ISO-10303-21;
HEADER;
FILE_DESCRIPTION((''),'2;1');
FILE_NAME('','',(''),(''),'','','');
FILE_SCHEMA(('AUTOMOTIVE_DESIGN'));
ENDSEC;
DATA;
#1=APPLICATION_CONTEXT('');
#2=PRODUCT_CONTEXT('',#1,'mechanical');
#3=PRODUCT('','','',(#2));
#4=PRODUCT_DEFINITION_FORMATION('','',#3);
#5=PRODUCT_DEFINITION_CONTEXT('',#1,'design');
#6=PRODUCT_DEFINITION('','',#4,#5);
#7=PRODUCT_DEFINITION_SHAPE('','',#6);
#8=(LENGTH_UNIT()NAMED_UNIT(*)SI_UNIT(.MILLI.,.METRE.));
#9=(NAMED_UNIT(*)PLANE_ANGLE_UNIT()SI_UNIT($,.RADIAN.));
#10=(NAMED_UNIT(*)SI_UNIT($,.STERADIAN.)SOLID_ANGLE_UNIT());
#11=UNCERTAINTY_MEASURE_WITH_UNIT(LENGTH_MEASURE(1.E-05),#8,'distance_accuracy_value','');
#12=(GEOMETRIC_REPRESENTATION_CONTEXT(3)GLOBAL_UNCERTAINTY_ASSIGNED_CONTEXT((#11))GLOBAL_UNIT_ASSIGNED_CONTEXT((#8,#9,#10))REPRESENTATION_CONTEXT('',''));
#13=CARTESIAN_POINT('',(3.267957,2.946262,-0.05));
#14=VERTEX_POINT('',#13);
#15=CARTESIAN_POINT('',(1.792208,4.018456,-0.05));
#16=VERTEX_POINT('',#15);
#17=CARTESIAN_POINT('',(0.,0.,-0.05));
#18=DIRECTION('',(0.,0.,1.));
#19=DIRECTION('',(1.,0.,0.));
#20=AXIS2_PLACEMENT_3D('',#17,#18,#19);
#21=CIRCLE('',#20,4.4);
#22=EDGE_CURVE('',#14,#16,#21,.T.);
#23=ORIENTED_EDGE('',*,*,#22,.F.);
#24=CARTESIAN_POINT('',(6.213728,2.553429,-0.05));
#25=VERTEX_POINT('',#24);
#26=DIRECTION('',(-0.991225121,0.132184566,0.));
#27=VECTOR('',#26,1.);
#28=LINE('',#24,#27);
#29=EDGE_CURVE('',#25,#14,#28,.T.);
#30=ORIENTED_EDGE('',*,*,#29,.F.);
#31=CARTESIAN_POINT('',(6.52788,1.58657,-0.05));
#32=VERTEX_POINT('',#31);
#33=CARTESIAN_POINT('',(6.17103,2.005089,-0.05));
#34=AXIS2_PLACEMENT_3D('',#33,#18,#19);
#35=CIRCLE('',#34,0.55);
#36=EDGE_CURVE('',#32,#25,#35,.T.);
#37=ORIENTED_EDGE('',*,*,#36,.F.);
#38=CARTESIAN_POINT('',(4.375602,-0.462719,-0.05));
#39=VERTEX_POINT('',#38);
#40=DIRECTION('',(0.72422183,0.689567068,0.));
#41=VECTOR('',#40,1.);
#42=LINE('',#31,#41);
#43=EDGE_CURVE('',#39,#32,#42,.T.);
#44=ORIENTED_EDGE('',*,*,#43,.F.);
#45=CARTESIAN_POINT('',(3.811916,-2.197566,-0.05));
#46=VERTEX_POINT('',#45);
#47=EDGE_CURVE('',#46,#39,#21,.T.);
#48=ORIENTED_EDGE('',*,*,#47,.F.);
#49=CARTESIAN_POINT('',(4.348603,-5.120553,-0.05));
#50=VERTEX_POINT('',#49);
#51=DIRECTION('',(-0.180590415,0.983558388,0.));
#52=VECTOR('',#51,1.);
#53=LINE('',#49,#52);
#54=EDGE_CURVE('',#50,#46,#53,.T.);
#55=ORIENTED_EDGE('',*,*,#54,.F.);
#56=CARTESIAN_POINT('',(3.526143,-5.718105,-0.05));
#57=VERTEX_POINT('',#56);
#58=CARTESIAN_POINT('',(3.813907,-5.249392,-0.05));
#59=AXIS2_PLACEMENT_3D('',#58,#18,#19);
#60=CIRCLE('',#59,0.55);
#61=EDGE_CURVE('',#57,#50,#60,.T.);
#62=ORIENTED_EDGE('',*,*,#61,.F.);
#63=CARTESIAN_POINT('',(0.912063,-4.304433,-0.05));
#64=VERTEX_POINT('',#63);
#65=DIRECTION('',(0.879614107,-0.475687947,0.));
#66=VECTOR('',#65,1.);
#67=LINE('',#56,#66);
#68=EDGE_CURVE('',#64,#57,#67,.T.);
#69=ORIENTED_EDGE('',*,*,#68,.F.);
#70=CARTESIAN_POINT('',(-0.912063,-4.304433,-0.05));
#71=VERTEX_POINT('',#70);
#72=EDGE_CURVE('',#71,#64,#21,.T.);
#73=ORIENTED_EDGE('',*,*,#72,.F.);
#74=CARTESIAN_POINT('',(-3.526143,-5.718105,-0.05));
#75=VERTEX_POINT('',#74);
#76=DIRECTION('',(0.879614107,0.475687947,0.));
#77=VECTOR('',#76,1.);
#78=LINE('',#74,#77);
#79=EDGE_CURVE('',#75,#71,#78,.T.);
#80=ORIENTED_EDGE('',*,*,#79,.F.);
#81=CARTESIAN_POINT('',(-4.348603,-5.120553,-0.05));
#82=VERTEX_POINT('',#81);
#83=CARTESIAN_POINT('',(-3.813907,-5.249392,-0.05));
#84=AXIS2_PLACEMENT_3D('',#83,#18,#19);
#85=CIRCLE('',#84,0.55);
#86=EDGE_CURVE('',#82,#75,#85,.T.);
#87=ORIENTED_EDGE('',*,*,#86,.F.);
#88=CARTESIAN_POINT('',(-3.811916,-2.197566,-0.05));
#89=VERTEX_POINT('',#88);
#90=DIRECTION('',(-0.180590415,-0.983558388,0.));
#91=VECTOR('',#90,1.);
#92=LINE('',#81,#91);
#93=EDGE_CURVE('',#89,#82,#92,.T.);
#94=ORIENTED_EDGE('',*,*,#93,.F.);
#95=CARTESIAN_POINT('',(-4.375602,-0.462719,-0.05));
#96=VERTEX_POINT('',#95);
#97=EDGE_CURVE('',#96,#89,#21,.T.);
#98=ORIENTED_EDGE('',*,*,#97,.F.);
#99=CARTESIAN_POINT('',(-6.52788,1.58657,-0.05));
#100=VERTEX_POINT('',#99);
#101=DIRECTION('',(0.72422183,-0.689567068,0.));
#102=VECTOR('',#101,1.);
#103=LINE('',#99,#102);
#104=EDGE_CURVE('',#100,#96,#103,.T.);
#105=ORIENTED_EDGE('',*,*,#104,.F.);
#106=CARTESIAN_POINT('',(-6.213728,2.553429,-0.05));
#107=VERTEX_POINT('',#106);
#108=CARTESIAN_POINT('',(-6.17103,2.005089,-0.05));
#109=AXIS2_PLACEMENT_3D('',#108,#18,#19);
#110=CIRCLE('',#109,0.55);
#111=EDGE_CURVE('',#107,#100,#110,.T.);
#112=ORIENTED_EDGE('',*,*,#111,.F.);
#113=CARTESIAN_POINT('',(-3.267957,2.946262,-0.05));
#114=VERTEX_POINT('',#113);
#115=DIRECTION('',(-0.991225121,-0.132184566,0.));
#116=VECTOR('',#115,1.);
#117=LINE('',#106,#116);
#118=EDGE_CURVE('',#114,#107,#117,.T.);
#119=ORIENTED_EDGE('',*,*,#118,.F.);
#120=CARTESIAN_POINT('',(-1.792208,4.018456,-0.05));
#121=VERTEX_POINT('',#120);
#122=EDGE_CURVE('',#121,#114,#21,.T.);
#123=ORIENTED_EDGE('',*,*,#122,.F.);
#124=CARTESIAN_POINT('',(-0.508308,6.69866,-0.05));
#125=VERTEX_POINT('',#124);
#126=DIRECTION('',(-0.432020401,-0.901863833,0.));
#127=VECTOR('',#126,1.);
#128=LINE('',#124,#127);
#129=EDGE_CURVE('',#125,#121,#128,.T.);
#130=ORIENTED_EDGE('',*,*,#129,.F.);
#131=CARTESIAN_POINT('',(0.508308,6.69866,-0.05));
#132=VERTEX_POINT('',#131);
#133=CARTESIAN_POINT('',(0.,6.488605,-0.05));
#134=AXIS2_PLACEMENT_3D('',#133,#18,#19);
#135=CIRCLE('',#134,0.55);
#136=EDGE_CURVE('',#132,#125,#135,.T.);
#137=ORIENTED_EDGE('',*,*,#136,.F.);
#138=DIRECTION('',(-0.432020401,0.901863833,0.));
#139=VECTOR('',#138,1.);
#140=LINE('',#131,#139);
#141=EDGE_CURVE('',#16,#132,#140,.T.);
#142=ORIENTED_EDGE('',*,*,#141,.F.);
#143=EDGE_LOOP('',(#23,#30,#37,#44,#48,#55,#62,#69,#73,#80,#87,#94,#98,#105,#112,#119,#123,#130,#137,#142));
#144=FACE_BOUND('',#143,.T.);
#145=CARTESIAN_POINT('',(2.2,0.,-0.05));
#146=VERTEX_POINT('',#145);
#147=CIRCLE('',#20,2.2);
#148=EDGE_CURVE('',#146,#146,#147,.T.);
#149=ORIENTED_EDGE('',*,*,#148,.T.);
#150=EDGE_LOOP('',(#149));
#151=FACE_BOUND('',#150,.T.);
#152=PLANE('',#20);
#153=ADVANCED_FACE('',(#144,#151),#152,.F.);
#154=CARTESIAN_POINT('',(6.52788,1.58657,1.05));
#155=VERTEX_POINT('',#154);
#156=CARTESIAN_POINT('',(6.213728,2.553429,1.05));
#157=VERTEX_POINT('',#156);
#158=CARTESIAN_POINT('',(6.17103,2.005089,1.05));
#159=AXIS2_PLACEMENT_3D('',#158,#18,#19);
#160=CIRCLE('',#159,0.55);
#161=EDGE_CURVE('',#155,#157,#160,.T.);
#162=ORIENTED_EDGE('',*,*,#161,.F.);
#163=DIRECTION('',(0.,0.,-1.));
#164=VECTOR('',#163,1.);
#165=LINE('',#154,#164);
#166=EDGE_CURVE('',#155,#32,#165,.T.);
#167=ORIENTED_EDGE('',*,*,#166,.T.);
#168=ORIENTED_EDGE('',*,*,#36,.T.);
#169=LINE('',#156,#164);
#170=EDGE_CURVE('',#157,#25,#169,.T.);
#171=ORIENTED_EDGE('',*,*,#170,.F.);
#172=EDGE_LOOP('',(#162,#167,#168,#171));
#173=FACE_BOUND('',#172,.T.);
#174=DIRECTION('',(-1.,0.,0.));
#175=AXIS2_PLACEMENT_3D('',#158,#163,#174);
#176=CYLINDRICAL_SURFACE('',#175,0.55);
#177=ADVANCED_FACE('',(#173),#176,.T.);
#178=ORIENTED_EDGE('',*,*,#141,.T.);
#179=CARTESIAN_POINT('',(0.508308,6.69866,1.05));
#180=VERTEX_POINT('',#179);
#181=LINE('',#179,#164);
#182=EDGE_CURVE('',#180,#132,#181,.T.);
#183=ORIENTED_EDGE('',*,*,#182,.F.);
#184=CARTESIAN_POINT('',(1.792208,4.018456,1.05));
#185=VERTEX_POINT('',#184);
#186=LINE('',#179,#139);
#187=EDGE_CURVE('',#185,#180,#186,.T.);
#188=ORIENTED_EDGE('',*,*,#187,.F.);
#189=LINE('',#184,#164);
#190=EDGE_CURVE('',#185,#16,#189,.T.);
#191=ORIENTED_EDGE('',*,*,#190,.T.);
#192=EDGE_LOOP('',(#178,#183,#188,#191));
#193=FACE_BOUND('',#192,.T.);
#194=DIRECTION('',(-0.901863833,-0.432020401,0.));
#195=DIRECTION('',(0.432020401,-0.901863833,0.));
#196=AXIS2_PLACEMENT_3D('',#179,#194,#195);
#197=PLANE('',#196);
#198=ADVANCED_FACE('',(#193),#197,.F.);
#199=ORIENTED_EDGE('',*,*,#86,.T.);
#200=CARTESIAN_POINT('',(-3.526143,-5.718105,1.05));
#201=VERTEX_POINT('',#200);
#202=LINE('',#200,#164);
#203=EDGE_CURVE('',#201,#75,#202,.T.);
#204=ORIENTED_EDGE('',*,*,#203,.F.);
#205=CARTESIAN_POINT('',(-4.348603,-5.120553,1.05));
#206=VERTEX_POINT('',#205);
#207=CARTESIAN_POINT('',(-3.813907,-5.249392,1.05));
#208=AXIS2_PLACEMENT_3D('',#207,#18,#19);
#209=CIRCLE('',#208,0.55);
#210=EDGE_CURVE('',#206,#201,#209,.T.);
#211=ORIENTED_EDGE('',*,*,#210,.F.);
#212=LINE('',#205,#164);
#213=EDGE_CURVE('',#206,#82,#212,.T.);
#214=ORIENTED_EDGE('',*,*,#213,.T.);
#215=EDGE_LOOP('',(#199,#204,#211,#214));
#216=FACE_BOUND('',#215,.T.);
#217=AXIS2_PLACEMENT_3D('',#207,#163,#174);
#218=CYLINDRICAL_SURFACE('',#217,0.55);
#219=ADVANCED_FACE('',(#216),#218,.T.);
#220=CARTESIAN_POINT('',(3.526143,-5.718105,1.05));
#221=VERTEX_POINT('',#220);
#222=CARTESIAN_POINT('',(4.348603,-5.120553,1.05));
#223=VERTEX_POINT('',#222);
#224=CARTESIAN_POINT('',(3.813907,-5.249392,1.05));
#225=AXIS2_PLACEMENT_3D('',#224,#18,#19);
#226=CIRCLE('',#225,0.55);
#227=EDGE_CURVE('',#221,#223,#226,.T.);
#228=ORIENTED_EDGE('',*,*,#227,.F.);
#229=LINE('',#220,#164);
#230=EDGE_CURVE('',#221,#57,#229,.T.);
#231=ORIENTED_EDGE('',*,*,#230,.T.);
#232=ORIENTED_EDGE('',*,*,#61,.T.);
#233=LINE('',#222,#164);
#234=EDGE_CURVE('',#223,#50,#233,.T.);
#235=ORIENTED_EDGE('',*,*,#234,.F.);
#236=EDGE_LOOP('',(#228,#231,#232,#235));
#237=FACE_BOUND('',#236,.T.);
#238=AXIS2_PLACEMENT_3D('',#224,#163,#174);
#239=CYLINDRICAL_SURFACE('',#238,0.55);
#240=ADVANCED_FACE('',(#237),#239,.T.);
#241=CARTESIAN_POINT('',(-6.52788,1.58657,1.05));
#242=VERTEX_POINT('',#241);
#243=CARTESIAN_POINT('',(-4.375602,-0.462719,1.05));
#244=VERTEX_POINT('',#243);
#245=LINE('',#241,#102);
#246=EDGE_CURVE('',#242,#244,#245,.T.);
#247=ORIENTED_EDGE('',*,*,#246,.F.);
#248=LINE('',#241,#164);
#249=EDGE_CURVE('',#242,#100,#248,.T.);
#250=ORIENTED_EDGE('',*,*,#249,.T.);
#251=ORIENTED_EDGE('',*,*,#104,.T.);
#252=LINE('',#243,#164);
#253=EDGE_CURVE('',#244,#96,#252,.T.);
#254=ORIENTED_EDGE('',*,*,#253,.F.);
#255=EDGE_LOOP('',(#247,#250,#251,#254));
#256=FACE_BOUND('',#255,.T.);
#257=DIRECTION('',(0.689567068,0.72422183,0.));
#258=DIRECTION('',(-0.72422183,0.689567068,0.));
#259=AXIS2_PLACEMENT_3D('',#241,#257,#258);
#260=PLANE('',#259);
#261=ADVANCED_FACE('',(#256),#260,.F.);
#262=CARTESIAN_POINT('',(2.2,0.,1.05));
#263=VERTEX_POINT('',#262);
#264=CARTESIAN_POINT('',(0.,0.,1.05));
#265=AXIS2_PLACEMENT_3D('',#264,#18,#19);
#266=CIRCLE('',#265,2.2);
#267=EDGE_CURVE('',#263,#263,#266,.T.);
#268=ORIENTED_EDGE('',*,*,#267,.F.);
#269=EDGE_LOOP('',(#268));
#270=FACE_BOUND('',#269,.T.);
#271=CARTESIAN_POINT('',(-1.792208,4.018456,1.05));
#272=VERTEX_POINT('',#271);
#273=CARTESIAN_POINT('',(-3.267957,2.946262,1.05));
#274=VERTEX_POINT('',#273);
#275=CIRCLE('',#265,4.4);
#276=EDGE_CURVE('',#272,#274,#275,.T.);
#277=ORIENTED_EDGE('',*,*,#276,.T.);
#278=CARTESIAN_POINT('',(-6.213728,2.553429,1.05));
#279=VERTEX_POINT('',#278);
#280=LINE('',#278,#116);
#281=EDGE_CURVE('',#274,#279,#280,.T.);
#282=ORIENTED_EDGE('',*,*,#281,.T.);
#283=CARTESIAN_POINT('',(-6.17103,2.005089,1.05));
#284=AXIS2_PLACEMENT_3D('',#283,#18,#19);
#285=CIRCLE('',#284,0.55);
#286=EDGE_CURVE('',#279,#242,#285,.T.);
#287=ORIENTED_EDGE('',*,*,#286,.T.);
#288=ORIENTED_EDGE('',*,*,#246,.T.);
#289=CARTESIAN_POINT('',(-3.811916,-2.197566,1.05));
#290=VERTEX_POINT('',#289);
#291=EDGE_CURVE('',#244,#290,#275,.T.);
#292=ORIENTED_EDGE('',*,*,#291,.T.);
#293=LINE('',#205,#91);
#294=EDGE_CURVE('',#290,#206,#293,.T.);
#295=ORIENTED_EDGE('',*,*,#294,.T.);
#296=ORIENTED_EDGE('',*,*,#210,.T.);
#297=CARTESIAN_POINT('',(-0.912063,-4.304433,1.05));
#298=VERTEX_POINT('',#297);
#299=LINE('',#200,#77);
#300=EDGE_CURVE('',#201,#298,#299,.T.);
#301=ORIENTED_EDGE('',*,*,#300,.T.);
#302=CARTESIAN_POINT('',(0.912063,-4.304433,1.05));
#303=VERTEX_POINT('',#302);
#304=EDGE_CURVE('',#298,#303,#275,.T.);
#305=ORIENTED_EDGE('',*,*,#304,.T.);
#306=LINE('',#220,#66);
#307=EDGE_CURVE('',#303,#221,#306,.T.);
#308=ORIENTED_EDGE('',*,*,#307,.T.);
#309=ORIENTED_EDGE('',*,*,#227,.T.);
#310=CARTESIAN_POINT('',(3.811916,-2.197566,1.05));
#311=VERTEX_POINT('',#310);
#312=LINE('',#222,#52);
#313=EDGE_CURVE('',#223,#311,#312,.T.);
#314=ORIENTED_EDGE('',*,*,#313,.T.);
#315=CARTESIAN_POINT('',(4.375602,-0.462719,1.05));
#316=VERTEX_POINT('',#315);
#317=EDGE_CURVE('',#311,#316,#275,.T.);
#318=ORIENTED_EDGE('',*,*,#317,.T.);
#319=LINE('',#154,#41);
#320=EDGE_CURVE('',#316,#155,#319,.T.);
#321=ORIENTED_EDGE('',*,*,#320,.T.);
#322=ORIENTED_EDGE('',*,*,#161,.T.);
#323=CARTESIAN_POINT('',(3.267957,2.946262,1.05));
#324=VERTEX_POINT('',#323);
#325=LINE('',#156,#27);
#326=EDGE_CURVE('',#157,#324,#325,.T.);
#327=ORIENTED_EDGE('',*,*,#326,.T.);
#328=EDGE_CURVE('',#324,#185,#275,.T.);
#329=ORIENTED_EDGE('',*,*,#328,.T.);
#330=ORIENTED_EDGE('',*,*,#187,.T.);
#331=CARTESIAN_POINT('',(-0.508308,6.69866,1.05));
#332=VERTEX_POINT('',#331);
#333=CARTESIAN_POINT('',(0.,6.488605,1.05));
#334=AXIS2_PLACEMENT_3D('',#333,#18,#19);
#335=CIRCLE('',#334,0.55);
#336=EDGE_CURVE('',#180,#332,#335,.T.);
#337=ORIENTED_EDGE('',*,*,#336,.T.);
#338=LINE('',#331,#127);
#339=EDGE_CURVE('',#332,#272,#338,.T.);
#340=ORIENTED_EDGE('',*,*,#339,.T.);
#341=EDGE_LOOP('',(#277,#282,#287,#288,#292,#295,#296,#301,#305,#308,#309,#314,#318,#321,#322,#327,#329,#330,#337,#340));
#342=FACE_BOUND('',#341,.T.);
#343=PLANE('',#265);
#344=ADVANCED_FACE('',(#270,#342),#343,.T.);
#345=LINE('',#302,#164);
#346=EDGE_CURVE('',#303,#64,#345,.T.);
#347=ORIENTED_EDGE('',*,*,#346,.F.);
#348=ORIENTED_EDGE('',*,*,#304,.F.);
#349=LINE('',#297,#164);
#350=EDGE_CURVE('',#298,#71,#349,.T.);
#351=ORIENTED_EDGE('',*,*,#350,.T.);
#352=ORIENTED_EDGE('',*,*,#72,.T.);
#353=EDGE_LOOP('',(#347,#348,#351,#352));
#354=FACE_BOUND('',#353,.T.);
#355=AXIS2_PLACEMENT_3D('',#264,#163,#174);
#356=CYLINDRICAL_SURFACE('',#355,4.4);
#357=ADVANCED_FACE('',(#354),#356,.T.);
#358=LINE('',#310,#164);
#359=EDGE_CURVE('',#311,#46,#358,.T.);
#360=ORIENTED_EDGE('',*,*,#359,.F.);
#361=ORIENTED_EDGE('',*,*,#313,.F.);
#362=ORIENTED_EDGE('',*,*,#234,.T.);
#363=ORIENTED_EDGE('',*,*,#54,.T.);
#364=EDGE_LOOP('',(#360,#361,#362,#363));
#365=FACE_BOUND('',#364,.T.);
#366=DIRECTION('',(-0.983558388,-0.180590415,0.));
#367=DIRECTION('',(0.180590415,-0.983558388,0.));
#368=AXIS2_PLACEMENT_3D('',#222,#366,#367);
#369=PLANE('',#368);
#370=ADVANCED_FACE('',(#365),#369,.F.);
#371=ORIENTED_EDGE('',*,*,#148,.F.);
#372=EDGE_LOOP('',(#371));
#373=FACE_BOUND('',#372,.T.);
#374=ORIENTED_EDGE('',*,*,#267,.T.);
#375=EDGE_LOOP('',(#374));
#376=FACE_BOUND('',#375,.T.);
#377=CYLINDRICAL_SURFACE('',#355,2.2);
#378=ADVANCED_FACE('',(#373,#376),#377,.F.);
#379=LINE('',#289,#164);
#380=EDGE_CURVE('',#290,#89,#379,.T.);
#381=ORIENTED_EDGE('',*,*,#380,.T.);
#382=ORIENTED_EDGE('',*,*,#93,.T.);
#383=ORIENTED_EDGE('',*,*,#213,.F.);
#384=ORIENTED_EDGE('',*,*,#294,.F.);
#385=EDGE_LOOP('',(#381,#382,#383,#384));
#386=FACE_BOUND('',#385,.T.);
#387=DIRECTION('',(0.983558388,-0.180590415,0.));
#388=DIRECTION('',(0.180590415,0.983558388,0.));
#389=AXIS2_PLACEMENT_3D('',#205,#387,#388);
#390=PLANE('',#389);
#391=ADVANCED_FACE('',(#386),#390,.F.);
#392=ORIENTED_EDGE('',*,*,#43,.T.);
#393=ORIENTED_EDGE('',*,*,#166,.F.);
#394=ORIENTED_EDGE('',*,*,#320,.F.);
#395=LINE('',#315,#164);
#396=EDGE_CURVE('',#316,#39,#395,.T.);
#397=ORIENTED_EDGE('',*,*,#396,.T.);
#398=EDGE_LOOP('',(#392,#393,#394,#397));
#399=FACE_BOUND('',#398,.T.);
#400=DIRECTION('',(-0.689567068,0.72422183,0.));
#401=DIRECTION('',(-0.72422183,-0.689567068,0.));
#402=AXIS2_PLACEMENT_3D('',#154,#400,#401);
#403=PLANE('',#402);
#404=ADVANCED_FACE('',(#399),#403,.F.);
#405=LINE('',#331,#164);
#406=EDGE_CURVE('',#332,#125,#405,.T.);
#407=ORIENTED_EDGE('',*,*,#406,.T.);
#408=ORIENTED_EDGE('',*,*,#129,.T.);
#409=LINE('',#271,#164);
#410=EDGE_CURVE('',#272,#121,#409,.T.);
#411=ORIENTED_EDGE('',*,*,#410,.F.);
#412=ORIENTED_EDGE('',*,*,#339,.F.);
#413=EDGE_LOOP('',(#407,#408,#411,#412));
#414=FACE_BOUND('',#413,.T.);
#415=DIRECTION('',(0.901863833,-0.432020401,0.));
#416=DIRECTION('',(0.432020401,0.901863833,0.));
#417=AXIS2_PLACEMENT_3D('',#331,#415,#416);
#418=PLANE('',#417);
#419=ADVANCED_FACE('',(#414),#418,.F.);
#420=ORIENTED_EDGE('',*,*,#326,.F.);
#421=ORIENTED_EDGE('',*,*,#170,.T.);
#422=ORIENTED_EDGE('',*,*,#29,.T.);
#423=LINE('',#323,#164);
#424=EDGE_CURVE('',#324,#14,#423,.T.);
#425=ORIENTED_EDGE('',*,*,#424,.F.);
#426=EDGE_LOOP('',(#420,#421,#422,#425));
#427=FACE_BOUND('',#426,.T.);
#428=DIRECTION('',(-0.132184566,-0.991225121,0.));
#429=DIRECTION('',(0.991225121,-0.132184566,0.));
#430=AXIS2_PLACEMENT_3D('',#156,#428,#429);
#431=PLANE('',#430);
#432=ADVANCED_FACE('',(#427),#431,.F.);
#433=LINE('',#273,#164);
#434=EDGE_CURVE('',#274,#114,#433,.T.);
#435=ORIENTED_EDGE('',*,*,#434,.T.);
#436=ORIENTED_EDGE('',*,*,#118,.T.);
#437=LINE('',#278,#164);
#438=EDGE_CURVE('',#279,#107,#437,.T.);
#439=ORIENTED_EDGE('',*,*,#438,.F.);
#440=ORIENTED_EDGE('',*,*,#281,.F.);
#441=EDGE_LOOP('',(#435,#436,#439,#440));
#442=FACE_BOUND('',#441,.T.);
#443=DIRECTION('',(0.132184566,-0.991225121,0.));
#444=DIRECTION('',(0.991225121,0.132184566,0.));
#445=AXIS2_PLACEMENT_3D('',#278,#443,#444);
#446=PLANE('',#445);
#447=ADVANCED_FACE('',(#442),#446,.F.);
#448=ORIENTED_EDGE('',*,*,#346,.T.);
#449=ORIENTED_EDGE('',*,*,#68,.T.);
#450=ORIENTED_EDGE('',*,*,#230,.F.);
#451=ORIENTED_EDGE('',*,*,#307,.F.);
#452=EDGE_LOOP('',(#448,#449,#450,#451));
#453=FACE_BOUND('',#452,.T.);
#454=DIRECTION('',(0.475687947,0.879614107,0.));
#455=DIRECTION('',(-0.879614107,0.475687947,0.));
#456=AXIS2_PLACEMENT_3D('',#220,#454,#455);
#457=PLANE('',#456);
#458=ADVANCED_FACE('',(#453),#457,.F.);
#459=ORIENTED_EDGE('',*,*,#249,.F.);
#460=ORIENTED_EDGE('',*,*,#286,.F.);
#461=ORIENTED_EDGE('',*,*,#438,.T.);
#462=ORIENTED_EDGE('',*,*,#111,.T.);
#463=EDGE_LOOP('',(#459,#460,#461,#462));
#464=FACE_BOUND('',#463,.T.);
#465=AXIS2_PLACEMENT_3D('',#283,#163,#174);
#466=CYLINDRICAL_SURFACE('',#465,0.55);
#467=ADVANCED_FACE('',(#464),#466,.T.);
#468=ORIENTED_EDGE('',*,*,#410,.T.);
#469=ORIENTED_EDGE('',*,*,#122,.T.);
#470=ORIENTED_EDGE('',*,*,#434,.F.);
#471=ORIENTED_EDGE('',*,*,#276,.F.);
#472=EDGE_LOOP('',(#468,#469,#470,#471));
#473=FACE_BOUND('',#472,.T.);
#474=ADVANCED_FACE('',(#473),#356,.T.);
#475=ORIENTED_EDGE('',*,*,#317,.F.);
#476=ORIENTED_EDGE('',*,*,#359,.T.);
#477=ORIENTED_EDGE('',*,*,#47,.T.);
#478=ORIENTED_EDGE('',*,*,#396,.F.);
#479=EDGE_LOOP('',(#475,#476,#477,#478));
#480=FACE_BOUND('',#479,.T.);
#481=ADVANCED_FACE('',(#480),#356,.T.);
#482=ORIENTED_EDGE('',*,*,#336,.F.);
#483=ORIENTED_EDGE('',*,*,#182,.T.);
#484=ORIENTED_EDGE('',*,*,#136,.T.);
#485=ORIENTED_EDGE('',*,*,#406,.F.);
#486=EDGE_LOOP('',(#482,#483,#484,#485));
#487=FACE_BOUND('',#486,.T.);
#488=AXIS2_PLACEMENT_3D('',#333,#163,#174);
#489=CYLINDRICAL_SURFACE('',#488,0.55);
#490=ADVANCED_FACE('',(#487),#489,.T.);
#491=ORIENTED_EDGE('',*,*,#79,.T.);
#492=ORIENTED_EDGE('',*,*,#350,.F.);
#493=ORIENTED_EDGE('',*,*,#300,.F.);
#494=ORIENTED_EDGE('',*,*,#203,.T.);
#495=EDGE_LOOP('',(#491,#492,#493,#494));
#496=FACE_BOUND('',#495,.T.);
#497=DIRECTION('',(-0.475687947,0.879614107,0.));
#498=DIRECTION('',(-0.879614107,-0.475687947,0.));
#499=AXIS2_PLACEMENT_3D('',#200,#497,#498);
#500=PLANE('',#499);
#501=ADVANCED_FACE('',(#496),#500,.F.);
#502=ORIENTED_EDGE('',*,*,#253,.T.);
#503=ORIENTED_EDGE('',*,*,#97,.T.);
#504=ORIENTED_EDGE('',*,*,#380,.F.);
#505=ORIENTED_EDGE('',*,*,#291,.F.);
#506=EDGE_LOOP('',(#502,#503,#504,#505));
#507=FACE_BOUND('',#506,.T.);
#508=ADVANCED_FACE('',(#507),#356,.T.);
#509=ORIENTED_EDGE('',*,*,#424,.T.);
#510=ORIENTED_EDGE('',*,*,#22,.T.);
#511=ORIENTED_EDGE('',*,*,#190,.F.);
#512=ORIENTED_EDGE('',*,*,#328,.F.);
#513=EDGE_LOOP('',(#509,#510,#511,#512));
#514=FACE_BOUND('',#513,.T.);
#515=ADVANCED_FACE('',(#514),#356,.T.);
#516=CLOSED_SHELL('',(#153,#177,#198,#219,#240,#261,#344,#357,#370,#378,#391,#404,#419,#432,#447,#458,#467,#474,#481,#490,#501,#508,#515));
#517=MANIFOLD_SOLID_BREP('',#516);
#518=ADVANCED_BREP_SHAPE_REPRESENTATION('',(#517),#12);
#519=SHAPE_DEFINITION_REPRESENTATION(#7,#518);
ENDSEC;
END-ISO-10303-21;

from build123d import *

# Parameters (mm, degrees)
SKETCH1_R           = 2
BOSS_EXTRUDE1_DEPTH = 1
SCALE1_SCALE        = 1.1


with BuildPart() as part:
    # Sketch1 → Boss-Extrude1 (new body)
    with BuildSketch(Plane.XY):
        with BuildLine():
            Line((-0.462098351, 6.089690496), (-1.629279619, 3.653142199))
            ThreePointArc((-1.629279619, 3.653142199), (-2.351141009, 3.236067977), (-2.970869602, 2.67842002))
            Line((-2.970869602, 2.67842002), (-5.648843585, 2.321299502))
            ThreePointArc((-5.648843585, 2.321299502), (-6.085555848, 1.977316958), (-5.934436072, 1.442336206))
            Line((-5.934436072, 1.442336206), (-3.977819784, -0.420653976))
            ThreePointArc((-3.977819784, -0.420653976), (-3.804226065, -1.236067977), (-3.465378009, -1.99778759))
            Line((-3.465378009, -1.99778759), (-3.953275684, -4.655048506))
            ThreePointArc((-3.953275684, -4.655048506), (-3.761080354, -5.176683001), (-3.205584845, -5.198277698))
            Line((-3.205584845, -5.198277698), (-0.829148209, -3.913120653))
            ThreePointArc((-0.829148209, -3.913120653), (0, -4), (0.829148209, -3.913120653))
            Line((0.829148209, -3.913120653), (3.205584845, -5.198277698))
            ThreePointArc((3.205584845, -5.198277698), (3.761080354, -5.176683001), (3.953275684, -4.655048506))
            Line((3.953275684, -4.655048506), (3.465378009, -1.99778759))
            ThreePointArc((3.465378009, -1.99778759), (3.804226065, -1.236067977), (3.977819784, -0.420653976))
            Line((3.977819784, -0.420653976), (5.934436072, 1.442336206))
            ThreePointArc((5.934436072, 1.442336206), (6.085555848, 1.977316958), (5.648843585, 2.321299502))
            Line((5.648843585, 2.321299502), (2.970869602, 2.67842002))
            ThreePointArc((2.970869602, 2.67842002), (2.351141009, 3.236067977), (1.629279619, 3.653142199))
            Line((1.629279619, 3.653142199), (0.462098351, 6.089690496))
            ThreePointArc((0.462098351, 6.089690496), (0, 6.398732088), (-0.462098351, 6.089690496))
        make_face()
        Circle(SKETCH1_R, mode=Mode.SUBTRACT)
    extrude(amount=BOSS_EXTRUDE1_DEPTH)


with BuildPart() as part_1:
    # Scale1: scaled about (0, 0, 0.5)
    add(part.part.scale(SCALE1_SCALE).moved(Location((0, 0, -0.05))))


solid = part_1.part
